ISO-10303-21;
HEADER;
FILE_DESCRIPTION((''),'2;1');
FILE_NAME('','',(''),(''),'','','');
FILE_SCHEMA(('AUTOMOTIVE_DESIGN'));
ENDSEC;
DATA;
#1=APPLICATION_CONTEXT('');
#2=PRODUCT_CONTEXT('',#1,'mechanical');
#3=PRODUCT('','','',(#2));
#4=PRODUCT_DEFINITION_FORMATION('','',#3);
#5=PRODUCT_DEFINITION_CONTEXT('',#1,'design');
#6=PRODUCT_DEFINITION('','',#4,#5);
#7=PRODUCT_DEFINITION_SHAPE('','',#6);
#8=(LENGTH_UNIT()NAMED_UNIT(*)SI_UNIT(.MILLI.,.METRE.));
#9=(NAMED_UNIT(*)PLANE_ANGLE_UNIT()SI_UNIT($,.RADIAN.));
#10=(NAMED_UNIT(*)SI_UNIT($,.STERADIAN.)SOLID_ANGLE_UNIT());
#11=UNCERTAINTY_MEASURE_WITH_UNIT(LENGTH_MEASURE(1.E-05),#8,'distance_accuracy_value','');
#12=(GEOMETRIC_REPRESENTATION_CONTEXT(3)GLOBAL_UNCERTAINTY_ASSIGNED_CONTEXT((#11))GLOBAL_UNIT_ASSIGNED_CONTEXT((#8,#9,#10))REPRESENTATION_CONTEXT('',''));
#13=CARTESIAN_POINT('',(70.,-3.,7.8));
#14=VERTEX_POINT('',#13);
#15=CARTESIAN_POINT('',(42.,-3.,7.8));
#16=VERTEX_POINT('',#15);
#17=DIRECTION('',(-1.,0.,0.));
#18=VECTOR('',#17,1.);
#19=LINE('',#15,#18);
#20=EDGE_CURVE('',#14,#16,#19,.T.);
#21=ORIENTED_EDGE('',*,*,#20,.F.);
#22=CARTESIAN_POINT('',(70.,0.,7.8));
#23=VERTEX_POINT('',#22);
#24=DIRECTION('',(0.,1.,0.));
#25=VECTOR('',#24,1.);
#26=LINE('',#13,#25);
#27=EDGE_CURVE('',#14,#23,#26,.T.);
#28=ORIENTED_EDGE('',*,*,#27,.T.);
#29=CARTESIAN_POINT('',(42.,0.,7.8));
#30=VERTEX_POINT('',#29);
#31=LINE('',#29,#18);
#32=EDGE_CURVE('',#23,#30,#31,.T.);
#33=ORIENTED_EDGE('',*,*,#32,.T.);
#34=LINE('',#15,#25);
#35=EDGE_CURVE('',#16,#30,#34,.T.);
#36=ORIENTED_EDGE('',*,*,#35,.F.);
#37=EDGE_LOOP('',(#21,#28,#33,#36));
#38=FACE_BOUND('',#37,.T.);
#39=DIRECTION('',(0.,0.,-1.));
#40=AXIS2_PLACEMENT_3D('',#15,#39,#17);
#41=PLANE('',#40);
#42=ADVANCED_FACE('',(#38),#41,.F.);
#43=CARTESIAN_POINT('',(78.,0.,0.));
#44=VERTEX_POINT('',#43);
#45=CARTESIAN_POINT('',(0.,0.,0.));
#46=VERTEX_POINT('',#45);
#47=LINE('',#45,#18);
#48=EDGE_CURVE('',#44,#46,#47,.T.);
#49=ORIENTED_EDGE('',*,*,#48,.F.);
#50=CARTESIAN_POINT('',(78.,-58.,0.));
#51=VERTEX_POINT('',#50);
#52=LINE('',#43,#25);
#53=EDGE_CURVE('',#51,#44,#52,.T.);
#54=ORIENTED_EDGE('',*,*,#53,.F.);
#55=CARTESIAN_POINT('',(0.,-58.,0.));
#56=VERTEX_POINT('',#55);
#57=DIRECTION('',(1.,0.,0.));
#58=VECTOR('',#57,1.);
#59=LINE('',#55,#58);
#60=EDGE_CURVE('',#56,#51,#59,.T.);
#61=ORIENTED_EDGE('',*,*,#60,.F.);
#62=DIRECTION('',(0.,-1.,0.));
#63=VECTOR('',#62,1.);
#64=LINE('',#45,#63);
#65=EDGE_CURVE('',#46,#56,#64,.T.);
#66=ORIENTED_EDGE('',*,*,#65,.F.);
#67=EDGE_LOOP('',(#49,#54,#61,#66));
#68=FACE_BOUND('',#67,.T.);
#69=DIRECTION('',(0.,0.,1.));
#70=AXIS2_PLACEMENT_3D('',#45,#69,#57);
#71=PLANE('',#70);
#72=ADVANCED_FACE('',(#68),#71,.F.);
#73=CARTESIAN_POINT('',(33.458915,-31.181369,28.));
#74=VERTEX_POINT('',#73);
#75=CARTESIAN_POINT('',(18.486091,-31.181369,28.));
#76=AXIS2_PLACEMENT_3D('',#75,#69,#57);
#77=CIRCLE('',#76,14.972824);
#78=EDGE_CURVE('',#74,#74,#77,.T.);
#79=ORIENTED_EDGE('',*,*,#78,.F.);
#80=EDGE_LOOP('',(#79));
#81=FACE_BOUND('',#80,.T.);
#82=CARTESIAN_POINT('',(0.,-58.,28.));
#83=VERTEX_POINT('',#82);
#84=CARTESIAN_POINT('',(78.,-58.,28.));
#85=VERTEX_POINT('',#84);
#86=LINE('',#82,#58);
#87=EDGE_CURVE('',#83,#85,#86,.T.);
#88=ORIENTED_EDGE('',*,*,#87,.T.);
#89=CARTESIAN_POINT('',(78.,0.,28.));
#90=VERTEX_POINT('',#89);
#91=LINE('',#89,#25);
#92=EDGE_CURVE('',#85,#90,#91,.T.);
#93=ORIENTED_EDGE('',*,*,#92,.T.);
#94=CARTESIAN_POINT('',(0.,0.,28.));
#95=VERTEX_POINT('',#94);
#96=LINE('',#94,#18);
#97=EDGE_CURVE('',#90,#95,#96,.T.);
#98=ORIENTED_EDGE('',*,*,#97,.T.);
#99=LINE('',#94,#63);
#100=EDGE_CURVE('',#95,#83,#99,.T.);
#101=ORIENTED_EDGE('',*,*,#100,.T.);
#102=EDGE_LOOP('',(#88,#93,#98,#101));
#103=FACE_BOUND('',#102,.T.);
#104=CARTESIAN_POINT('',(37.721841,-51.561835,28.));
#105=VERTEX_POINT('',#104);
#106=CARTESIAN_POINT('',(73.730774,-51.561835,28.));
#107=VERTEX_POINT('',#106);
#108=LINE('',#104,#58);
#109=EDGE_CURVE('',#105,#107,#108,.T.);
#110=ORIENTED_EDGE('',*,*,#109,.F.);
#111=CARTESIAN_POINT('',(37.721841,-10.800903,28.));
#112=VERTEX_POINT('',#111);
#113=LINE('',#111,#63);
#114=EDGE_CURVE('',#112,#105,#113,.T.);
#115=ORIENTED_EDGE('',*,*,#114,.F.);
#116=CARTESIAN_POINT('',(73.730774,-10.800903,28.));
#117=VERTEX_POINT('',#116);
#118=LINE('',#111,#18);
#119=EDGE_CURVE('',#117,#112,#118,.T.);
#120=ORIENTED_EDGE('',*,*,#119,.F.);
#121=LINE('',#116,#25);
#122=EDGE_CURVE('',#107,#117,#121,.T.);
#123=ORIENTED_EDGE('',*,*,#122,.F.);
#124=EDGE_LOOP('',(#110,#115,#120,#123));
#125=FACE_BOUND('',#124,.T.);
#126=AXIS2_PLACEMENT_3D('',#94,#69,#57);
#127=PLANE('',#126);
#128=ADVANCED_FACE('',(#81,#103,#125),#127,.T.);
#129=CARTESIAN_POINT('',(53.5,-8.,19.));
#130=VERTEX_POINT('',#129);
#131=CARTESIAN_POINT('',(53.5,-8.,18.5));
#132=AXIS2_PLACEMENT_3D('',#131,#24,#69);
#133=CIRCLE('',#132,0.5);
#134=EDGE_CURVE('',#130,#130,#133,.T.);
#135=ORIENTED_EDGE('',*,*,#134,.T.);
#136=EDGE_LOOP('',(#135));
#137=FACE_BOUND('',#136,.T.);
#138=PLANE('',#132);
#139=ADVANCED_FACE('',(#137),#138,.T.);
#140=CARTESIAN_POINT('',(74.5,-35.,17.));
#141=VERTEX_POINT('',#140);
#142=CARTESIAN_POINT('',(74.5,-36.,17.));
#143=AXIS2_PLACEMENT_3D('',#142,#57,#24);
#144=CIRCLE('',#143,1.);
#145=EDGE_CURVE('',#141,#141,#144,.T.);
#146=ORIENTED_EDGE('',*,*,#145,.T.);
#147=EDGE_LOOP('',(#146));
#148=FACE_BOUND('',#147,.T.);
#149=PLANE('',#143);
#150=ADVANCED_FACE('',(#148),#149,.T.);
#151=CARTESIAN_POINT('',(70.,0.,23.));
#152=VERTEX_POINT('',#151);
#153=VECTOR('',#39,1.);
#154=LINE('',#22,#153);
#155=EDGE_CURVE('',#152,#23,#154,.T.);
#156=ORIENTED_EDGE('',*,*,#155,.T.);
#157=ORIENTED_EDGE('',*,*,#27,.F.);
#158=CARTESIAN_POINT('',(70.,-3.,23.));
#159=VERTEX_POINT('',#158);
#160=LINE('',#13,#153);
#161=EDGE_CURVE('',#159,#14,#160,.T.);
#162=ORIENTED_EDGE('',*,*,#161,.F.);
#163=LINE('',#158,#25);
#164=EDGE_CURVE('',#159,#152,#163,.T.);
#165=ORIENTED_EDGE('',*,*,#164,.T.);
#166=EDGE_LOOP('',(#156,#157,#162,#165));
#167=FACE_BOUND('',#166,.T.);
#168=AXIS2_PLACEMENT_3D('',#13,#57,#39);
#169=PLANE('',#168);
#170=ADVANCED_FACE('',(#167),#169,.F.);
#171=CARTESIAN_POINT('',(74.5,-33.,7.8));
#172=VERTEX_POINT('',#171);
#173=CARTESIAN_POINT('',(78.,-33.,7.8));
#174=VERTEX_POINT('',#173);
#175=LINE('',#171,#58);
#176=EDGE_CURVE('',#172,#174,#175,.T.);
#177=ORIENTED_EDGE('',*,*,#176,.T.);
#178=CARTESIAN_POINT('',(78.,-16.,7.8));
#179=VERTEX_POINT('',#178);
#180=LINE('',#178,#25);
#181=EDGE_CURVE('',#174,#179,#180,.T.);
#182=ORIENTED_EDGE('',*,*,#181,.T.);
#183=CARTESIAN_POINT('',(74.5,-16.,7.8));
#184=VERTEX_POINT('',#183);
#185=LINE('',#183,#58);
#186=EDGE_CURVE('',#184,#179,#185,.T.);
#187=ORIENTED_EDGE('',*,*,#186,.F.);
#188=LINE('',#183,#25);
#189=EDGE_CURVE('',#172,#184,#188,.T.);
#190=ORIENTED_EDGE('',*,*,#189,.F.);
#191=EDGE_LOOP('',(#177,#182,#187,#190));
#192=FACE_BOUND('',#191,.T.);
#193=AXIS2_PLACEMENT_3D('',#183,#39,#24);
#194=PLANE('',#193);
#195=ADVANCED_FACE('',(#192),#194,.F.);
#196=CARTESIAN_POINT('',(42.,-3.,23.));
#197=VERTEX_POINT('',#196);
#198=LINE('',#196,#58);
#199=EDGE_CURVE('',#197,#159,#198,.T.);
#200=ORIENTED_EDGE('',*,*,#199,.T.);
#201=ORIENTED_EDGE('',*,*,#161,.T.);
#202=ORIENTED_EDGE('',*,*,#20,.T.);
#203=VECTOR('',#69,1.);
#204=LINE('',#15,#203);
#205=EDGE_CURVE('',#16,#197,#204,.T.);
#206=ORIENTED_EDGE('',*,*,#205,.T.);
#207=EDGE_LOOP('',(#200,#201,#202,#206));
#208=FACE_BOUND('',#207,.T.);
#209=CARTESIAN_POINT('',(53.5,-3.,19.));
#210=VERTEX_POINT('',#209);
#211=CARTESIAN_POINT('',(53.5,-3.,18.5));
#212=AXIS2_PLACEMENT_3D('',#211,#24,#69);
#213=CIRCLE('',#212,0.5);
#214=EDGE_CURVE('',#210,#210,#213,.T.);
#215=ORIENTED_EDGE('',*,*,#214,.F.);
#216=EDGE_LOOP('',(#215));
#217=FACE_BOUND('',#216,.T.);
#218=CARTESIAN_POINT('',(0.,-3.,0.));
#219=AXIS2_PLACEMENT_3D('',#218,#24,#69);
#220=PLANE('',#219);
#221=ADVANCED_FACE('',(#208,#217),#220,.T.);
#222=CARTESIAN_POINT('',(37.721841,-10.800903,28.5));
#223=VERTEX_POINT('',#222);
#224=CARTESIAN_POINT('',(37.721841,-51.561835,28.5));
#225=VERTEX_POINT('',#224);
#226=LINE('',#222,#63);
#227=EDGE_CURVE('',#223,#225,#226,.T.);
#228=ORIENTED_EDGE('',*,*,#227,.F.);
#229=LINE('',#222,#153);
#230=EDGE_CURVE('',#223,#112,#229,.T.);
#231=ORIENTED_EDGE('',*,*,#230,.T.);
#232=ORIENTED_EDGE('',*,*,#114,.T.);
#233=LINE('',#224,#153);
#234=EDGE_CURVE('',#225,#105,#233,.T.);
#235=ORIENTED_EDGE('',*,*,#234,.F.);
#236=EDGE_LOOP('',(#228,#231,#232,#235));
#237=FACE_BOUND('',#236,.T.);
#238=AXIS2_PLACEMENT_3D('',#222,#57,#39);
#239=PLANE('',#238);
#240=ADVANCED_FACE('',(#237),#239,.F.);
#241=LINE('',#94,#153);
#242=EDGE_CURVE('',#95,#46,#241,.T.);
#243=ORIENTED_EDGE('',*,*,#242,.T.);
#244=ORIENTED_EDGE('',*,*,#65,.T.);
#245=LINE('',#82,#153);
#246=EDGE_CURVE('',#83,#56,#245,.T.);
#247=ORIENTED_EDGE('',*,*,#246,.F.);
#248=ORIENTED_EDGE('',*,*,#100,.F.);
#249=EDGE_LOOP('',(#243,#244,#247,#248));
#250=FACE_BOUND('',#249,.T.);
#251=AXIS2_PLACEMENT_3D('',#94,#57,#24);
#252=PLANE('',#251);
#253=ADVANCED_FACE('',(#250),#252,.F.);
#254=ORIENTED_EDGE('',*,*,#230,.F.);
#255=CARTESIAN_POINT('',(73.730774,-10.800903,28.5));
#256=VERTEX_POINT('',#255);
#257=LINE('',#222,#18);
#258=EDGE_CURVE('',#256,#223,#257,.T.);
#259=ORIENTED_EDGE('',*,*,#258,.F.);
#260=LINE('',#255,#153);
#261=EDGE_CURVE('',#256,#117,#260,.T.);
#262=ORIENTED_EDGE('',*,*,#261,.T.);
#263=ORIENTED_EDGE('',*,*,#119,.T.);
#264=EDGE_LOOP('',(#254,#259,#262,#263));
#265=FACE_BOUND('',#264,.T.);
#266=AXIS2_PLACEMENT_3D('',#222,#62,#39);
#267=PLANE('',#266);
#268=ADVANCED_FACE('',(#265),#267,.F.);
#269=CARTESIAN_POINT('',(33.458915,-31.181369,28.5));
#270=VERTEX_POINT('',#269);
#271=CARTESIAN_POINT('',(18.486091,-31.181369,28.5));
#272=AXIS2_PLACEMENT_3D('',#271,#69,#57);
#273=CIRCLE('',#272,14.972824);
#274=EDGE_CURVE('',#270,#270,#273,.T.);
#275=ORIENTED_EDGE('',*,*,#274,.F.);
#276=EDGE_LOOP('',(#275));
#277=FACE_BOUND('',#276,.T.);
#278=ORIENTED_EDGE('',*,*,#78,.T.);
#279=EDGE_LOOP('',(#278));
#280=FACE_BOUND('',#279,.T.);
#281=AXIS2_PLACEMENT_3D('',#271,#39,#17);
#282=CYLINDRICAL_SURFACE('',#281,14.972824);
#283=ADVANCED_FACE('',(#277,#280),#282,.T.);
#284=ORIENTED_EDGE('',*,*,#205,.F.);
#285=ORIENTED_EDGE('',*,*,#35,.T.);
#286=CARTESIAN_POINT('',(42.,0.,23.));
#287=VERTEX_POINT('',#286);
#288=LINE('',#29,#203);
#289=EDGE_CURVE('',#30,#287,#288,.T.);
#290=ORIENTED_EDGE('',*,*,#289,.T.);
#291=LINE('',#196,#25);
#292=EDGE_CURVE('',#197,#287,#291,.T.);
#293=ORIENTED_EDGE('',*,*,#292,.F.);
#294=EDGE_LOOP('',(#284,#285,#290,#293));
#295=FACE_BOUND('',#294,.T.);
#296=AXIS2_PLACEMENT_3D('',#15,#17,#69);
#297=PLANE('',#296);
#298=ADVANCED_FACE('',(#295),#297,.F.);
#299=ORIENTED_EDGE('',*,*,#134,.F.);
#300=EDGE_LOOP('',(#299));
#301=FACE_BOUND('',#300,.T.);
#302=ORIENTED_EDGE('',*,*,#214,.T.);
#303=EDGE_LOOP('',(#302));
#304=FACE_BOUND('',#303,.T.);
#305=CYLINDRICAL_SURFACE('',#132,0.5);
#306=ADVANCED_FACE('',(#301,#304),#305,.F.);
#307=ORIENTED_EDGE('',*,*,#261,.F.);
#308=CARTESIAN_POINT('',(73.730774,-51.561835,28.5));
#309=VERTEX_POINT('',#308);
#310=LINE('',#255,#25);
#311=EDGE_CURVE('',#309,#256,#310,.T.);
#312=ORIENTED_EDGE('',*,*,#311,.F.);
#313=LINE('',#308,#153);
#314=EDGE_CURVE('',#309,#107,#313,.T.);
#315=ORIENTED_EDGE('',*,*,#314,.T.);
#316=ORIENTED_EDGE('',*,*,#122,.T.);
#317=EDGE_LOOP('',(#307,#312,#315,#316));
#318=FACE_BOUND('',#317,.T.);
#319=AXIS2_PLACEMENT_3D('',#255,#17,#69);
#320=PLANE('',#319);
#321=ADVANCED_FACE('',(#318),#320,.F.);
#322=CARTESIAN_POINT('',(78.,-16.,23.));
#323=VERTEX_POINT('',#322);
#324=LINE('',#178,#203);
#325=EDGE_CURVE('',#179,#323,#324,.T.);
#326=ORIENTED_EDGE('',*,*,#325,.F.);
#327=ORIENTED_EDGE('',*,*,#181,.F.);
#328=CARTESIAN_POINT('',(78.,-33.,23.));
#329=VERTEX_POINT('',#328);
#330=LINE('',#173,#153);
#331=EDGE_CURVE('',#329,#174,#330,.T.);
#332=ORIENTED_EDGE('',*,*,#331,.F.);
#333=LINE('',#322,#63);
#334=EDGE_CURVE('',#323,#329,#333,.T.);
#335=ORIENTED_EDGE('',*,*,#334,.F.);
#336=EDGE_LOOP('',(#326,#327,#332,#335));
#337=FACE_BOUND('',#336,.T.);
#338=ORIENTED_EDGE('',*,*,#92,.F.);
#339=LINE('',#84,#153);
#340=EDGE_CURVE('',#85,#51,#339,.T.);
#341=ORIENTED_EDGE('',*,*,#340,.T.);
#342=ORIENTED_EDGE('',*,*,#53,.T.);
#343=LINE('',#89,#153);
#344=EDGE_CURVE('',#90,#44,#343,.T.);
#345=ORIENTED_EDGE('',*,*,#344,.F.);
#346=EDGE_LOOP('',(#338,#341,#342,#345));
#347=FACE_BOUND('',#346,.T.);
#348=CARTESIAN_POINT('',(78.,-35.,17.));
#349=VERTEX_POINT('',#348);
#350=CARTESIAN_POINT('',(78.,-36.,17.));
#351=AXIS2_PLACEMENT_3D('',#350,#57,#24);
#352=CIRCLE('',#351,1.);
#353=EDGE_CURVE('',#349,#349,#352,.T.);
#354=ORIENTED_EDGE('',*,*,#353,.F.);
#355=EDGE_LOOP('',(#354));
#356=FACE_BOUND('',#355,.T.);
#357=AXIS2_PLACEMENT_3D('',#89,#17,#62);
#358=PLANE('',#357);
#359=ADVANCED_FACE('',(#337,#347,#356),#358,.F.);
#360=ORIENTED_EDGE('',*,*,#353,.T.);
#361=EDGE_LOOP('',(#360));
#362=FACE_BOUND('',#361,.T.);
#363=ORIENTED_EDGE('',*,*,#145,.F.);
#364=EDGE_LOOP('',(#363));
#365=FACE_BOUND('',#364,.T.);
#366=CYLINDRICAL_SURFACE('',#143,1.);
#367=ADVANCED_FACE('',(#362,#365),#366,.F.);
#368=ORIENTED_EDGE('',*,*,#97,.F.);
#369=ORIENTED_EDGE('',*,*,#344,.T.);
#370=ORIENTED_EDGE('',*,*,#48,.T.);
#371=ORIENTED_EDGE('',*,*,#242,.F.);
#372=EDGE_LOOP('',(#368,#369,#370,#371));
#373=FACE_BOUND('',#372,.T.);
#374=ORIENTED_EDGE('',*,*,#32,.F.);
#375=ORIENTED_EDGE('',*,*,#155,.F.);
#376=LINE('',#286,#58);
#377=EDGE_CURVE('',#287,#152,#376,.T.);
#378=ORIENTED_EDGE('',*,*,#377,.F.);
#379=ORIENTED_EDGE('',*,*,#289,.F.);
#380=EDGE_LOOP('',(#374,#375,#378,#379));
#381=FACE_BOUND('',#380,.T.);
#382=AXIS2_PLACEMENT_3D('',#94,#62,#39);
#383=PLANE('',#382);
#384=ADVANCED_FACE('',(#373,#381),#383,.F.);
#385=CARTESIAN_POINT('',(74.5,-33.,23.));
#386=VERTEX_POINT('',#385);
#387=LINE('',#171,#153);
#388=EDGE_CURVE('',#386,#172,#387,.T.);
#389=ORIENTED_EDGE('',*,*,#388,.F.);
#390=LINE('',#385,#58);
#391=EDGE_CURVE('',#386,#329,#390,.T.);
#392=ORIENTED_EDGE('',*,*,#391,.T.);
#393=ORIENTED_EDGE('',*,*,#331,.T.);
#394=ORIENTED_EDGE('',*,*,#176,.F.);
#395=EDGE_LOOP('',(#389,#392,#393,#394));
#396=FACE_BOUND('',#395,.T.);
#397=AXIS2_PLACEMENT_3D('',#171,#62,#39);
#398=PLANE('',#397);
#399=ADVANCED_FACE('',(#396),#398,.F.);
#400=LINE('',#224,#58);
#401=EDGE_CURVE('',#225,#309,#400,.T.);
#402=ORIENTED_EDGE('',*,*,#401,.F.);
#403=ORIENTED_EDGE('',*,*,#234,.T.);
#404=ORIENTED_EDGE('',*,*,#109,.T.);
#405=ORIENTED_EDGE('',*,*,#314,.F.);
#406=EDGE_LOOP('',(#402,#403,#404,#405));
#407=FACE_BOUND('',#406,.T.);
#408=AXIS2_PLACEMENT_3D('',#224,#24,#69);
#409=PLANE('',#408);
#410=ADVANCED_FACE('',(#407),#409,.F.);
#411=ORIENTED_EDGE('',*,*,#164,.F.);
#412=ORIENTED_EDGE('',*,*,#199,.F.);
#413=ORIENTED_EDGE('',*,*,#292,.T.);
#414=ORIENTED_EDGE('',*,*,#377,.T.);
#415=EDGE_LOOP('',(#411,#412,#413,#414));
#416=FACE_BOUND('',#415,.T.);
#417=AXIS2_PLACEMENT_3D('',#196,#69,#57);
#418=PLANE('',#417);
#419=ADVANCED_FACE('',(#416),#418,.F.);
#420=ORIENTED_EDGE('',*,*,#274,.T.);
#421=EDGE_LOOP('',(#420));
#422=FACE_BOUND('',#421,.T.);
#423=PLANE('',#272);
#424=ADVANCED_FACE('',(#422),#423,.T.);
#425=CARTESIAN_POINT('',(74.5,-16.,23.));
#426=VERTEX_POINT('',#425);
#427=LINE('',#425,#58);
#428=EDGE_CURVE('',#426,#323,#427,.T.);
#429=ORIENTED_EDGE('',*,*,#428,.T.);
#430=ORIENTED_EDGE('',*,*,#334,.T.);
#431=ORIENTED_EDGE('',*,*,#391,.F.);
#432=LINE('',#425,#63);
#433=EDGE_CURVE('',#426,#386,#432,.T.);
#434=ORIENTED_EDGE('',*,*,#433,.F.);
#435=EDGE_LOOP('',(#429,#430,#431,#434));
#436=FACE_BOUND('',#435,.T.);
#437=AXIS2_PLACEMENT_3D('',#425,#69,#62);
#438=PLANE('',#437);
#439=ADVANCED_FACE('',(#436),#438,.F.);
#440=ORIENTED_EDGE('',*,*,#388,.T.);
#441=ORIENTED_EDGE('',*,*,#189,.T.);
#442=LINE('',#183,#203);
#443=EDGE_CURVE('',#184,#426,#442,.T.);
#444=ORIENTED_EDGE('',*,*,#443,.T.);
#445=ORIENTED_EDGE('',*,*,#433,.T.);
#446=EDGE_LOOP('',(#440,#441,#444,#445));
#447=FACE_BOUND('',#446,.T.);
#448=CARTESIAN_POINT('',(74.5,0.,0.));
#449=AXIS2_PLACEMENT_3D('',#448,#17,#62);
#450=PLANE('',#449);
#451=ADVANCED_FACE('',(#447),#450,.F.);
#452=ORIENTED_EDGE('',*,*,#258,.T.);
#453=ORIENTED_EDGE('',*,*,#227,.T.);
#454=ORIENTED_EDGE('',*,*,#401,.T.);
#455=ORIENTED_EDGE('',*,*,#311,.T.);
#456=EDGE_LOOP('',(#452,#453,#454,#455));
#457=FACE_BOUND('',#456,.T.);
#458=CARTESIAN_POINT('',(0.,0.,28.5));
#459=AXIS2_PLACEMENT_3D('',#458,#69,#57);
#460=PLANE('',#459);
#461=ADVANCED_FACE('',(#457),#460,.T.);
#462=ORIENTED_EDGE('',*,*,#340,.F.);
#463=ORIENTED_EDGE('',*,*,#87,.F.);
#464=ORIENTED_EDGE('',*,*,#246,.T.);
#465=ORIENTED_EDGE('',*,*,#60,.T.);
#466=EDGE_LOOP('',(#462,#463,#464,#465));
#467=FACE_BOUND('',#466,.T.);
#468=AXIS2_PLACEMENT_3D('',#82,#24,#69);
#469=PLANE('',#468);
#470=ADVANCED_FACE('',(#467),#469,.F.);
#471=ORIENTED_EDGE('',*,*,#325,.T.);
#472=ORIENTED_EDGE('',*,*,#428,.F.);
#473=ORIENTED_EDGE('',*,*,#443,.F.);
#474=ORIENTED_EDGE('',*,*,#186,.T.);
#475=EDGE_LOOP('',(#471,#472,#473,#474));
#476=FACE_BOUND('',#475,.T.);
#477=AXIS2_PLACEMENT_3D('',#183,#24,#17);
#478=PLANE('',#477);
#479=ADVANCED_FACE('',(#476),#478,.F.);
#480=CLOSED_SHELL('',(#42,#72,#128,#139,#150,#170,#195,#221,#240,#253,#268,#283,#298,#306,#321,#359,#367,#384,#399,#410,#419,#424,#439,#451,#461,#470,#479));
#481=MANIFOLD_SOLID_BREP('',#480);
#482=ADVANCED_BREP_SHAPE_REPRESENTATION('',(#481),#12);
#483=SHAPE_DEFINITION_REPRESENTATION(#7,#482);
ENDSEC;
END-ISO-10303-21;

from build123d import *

# Parameters (mm, degrees)
SKETCH_1_W          = 78
SKETCH_1_H          = 58
EXTRUDE_1_DEPTH     = 28
SKETCH_2_W          = 28
SKETCH_2_H          = 15.2
CUT_EXTRUDE_1_DEPTH = 3
SKETCH_5_R          = 14.972823893
SKETCH_5_W          = 36.008932868
SKETCH_5_H          = 40.760932053
EXTRUDE_4_DEPTH     = 0.5
SKETCH_6_R          = 0.5
CUT_EXTRUDE_2_DEPTH = 5
SKETCH_7_R          = 1
SKETCH_7_W          = 15.2
SKETCH_7_H          = 17
CUT_EXTRUDE_3_DEPTH = 3.5


with BuildPart() as part:
    # 草图1 → 凸台-拉伸1 (new body)
    with BuildSketch(Plane.XY):
        with Locations((39, -29)):
            Rectangle(SKETCH_1_W, SKETCH_1_H)
    extrude(amount=EXTRUDE_1_DEPTH)

    # 草图2 → 切除-拉伸1 (cut)
    with BuildSketch(Plane(origin=(0, 0, 0), x_dir=(1, 0, 0), z_dir=(0, 1, 0))):
        with Locations((56, -15.4)):
            Rectangle(SKETCH_2_W, SKETCH_2_H)
    extrude(amount=-CUT_EXTRUDE_1_DEPTH, mode=Mode.SUBTRACT)

    # 草图5 → 凸台-拉伸4 (add)
    with BuildSketch(Plane.XY.offset(28)):
        with Locations((18.486091334, -31.18136891)):
            Circle(SKETCH_5_R)
        with Locations((55.726307101, -31.18136891)):
            Rectangle(SKETCH_5_W, SKETCH_5_H)
    extrude(amount=EXTRUDE_4_DEPTH)

    # 草图6 → 切除-拉伸2 (cut)
    with BuildSketch(Plane(origin=(0, -3, 0), x_dir=(1, 0, 0), z_dir=(0, 1, 0))):
        with Locations(Location((53.5, -18.5, 0), (0, 0, 270))):
            Circle(SKETCH_6_R)
    extrude(amount=-CUT_EXTRUDE_2_DEPTH, mode=Mode.SUBTRACT)

    # 草图7 → 切除-拉伸3 (cut)
    with BuildSketch(Plane(origin=(78, 0, 0), x_dir=(0, 0, -1), z_dir=(1, 0, 0))):
        with Locations(Location((-17, -36, 0), (0, 0, 90))):
            Circle(SKETCH_7_R)
        with Locations((-15.4, -24.5)):
            Rectangle(SKETCH_7_W, SKETCH_7_H)
    extrude(amount=-CUT_EXTRUDE_3_DEPTH, mode=Mode.SUBTRACT)


solid = part.part
